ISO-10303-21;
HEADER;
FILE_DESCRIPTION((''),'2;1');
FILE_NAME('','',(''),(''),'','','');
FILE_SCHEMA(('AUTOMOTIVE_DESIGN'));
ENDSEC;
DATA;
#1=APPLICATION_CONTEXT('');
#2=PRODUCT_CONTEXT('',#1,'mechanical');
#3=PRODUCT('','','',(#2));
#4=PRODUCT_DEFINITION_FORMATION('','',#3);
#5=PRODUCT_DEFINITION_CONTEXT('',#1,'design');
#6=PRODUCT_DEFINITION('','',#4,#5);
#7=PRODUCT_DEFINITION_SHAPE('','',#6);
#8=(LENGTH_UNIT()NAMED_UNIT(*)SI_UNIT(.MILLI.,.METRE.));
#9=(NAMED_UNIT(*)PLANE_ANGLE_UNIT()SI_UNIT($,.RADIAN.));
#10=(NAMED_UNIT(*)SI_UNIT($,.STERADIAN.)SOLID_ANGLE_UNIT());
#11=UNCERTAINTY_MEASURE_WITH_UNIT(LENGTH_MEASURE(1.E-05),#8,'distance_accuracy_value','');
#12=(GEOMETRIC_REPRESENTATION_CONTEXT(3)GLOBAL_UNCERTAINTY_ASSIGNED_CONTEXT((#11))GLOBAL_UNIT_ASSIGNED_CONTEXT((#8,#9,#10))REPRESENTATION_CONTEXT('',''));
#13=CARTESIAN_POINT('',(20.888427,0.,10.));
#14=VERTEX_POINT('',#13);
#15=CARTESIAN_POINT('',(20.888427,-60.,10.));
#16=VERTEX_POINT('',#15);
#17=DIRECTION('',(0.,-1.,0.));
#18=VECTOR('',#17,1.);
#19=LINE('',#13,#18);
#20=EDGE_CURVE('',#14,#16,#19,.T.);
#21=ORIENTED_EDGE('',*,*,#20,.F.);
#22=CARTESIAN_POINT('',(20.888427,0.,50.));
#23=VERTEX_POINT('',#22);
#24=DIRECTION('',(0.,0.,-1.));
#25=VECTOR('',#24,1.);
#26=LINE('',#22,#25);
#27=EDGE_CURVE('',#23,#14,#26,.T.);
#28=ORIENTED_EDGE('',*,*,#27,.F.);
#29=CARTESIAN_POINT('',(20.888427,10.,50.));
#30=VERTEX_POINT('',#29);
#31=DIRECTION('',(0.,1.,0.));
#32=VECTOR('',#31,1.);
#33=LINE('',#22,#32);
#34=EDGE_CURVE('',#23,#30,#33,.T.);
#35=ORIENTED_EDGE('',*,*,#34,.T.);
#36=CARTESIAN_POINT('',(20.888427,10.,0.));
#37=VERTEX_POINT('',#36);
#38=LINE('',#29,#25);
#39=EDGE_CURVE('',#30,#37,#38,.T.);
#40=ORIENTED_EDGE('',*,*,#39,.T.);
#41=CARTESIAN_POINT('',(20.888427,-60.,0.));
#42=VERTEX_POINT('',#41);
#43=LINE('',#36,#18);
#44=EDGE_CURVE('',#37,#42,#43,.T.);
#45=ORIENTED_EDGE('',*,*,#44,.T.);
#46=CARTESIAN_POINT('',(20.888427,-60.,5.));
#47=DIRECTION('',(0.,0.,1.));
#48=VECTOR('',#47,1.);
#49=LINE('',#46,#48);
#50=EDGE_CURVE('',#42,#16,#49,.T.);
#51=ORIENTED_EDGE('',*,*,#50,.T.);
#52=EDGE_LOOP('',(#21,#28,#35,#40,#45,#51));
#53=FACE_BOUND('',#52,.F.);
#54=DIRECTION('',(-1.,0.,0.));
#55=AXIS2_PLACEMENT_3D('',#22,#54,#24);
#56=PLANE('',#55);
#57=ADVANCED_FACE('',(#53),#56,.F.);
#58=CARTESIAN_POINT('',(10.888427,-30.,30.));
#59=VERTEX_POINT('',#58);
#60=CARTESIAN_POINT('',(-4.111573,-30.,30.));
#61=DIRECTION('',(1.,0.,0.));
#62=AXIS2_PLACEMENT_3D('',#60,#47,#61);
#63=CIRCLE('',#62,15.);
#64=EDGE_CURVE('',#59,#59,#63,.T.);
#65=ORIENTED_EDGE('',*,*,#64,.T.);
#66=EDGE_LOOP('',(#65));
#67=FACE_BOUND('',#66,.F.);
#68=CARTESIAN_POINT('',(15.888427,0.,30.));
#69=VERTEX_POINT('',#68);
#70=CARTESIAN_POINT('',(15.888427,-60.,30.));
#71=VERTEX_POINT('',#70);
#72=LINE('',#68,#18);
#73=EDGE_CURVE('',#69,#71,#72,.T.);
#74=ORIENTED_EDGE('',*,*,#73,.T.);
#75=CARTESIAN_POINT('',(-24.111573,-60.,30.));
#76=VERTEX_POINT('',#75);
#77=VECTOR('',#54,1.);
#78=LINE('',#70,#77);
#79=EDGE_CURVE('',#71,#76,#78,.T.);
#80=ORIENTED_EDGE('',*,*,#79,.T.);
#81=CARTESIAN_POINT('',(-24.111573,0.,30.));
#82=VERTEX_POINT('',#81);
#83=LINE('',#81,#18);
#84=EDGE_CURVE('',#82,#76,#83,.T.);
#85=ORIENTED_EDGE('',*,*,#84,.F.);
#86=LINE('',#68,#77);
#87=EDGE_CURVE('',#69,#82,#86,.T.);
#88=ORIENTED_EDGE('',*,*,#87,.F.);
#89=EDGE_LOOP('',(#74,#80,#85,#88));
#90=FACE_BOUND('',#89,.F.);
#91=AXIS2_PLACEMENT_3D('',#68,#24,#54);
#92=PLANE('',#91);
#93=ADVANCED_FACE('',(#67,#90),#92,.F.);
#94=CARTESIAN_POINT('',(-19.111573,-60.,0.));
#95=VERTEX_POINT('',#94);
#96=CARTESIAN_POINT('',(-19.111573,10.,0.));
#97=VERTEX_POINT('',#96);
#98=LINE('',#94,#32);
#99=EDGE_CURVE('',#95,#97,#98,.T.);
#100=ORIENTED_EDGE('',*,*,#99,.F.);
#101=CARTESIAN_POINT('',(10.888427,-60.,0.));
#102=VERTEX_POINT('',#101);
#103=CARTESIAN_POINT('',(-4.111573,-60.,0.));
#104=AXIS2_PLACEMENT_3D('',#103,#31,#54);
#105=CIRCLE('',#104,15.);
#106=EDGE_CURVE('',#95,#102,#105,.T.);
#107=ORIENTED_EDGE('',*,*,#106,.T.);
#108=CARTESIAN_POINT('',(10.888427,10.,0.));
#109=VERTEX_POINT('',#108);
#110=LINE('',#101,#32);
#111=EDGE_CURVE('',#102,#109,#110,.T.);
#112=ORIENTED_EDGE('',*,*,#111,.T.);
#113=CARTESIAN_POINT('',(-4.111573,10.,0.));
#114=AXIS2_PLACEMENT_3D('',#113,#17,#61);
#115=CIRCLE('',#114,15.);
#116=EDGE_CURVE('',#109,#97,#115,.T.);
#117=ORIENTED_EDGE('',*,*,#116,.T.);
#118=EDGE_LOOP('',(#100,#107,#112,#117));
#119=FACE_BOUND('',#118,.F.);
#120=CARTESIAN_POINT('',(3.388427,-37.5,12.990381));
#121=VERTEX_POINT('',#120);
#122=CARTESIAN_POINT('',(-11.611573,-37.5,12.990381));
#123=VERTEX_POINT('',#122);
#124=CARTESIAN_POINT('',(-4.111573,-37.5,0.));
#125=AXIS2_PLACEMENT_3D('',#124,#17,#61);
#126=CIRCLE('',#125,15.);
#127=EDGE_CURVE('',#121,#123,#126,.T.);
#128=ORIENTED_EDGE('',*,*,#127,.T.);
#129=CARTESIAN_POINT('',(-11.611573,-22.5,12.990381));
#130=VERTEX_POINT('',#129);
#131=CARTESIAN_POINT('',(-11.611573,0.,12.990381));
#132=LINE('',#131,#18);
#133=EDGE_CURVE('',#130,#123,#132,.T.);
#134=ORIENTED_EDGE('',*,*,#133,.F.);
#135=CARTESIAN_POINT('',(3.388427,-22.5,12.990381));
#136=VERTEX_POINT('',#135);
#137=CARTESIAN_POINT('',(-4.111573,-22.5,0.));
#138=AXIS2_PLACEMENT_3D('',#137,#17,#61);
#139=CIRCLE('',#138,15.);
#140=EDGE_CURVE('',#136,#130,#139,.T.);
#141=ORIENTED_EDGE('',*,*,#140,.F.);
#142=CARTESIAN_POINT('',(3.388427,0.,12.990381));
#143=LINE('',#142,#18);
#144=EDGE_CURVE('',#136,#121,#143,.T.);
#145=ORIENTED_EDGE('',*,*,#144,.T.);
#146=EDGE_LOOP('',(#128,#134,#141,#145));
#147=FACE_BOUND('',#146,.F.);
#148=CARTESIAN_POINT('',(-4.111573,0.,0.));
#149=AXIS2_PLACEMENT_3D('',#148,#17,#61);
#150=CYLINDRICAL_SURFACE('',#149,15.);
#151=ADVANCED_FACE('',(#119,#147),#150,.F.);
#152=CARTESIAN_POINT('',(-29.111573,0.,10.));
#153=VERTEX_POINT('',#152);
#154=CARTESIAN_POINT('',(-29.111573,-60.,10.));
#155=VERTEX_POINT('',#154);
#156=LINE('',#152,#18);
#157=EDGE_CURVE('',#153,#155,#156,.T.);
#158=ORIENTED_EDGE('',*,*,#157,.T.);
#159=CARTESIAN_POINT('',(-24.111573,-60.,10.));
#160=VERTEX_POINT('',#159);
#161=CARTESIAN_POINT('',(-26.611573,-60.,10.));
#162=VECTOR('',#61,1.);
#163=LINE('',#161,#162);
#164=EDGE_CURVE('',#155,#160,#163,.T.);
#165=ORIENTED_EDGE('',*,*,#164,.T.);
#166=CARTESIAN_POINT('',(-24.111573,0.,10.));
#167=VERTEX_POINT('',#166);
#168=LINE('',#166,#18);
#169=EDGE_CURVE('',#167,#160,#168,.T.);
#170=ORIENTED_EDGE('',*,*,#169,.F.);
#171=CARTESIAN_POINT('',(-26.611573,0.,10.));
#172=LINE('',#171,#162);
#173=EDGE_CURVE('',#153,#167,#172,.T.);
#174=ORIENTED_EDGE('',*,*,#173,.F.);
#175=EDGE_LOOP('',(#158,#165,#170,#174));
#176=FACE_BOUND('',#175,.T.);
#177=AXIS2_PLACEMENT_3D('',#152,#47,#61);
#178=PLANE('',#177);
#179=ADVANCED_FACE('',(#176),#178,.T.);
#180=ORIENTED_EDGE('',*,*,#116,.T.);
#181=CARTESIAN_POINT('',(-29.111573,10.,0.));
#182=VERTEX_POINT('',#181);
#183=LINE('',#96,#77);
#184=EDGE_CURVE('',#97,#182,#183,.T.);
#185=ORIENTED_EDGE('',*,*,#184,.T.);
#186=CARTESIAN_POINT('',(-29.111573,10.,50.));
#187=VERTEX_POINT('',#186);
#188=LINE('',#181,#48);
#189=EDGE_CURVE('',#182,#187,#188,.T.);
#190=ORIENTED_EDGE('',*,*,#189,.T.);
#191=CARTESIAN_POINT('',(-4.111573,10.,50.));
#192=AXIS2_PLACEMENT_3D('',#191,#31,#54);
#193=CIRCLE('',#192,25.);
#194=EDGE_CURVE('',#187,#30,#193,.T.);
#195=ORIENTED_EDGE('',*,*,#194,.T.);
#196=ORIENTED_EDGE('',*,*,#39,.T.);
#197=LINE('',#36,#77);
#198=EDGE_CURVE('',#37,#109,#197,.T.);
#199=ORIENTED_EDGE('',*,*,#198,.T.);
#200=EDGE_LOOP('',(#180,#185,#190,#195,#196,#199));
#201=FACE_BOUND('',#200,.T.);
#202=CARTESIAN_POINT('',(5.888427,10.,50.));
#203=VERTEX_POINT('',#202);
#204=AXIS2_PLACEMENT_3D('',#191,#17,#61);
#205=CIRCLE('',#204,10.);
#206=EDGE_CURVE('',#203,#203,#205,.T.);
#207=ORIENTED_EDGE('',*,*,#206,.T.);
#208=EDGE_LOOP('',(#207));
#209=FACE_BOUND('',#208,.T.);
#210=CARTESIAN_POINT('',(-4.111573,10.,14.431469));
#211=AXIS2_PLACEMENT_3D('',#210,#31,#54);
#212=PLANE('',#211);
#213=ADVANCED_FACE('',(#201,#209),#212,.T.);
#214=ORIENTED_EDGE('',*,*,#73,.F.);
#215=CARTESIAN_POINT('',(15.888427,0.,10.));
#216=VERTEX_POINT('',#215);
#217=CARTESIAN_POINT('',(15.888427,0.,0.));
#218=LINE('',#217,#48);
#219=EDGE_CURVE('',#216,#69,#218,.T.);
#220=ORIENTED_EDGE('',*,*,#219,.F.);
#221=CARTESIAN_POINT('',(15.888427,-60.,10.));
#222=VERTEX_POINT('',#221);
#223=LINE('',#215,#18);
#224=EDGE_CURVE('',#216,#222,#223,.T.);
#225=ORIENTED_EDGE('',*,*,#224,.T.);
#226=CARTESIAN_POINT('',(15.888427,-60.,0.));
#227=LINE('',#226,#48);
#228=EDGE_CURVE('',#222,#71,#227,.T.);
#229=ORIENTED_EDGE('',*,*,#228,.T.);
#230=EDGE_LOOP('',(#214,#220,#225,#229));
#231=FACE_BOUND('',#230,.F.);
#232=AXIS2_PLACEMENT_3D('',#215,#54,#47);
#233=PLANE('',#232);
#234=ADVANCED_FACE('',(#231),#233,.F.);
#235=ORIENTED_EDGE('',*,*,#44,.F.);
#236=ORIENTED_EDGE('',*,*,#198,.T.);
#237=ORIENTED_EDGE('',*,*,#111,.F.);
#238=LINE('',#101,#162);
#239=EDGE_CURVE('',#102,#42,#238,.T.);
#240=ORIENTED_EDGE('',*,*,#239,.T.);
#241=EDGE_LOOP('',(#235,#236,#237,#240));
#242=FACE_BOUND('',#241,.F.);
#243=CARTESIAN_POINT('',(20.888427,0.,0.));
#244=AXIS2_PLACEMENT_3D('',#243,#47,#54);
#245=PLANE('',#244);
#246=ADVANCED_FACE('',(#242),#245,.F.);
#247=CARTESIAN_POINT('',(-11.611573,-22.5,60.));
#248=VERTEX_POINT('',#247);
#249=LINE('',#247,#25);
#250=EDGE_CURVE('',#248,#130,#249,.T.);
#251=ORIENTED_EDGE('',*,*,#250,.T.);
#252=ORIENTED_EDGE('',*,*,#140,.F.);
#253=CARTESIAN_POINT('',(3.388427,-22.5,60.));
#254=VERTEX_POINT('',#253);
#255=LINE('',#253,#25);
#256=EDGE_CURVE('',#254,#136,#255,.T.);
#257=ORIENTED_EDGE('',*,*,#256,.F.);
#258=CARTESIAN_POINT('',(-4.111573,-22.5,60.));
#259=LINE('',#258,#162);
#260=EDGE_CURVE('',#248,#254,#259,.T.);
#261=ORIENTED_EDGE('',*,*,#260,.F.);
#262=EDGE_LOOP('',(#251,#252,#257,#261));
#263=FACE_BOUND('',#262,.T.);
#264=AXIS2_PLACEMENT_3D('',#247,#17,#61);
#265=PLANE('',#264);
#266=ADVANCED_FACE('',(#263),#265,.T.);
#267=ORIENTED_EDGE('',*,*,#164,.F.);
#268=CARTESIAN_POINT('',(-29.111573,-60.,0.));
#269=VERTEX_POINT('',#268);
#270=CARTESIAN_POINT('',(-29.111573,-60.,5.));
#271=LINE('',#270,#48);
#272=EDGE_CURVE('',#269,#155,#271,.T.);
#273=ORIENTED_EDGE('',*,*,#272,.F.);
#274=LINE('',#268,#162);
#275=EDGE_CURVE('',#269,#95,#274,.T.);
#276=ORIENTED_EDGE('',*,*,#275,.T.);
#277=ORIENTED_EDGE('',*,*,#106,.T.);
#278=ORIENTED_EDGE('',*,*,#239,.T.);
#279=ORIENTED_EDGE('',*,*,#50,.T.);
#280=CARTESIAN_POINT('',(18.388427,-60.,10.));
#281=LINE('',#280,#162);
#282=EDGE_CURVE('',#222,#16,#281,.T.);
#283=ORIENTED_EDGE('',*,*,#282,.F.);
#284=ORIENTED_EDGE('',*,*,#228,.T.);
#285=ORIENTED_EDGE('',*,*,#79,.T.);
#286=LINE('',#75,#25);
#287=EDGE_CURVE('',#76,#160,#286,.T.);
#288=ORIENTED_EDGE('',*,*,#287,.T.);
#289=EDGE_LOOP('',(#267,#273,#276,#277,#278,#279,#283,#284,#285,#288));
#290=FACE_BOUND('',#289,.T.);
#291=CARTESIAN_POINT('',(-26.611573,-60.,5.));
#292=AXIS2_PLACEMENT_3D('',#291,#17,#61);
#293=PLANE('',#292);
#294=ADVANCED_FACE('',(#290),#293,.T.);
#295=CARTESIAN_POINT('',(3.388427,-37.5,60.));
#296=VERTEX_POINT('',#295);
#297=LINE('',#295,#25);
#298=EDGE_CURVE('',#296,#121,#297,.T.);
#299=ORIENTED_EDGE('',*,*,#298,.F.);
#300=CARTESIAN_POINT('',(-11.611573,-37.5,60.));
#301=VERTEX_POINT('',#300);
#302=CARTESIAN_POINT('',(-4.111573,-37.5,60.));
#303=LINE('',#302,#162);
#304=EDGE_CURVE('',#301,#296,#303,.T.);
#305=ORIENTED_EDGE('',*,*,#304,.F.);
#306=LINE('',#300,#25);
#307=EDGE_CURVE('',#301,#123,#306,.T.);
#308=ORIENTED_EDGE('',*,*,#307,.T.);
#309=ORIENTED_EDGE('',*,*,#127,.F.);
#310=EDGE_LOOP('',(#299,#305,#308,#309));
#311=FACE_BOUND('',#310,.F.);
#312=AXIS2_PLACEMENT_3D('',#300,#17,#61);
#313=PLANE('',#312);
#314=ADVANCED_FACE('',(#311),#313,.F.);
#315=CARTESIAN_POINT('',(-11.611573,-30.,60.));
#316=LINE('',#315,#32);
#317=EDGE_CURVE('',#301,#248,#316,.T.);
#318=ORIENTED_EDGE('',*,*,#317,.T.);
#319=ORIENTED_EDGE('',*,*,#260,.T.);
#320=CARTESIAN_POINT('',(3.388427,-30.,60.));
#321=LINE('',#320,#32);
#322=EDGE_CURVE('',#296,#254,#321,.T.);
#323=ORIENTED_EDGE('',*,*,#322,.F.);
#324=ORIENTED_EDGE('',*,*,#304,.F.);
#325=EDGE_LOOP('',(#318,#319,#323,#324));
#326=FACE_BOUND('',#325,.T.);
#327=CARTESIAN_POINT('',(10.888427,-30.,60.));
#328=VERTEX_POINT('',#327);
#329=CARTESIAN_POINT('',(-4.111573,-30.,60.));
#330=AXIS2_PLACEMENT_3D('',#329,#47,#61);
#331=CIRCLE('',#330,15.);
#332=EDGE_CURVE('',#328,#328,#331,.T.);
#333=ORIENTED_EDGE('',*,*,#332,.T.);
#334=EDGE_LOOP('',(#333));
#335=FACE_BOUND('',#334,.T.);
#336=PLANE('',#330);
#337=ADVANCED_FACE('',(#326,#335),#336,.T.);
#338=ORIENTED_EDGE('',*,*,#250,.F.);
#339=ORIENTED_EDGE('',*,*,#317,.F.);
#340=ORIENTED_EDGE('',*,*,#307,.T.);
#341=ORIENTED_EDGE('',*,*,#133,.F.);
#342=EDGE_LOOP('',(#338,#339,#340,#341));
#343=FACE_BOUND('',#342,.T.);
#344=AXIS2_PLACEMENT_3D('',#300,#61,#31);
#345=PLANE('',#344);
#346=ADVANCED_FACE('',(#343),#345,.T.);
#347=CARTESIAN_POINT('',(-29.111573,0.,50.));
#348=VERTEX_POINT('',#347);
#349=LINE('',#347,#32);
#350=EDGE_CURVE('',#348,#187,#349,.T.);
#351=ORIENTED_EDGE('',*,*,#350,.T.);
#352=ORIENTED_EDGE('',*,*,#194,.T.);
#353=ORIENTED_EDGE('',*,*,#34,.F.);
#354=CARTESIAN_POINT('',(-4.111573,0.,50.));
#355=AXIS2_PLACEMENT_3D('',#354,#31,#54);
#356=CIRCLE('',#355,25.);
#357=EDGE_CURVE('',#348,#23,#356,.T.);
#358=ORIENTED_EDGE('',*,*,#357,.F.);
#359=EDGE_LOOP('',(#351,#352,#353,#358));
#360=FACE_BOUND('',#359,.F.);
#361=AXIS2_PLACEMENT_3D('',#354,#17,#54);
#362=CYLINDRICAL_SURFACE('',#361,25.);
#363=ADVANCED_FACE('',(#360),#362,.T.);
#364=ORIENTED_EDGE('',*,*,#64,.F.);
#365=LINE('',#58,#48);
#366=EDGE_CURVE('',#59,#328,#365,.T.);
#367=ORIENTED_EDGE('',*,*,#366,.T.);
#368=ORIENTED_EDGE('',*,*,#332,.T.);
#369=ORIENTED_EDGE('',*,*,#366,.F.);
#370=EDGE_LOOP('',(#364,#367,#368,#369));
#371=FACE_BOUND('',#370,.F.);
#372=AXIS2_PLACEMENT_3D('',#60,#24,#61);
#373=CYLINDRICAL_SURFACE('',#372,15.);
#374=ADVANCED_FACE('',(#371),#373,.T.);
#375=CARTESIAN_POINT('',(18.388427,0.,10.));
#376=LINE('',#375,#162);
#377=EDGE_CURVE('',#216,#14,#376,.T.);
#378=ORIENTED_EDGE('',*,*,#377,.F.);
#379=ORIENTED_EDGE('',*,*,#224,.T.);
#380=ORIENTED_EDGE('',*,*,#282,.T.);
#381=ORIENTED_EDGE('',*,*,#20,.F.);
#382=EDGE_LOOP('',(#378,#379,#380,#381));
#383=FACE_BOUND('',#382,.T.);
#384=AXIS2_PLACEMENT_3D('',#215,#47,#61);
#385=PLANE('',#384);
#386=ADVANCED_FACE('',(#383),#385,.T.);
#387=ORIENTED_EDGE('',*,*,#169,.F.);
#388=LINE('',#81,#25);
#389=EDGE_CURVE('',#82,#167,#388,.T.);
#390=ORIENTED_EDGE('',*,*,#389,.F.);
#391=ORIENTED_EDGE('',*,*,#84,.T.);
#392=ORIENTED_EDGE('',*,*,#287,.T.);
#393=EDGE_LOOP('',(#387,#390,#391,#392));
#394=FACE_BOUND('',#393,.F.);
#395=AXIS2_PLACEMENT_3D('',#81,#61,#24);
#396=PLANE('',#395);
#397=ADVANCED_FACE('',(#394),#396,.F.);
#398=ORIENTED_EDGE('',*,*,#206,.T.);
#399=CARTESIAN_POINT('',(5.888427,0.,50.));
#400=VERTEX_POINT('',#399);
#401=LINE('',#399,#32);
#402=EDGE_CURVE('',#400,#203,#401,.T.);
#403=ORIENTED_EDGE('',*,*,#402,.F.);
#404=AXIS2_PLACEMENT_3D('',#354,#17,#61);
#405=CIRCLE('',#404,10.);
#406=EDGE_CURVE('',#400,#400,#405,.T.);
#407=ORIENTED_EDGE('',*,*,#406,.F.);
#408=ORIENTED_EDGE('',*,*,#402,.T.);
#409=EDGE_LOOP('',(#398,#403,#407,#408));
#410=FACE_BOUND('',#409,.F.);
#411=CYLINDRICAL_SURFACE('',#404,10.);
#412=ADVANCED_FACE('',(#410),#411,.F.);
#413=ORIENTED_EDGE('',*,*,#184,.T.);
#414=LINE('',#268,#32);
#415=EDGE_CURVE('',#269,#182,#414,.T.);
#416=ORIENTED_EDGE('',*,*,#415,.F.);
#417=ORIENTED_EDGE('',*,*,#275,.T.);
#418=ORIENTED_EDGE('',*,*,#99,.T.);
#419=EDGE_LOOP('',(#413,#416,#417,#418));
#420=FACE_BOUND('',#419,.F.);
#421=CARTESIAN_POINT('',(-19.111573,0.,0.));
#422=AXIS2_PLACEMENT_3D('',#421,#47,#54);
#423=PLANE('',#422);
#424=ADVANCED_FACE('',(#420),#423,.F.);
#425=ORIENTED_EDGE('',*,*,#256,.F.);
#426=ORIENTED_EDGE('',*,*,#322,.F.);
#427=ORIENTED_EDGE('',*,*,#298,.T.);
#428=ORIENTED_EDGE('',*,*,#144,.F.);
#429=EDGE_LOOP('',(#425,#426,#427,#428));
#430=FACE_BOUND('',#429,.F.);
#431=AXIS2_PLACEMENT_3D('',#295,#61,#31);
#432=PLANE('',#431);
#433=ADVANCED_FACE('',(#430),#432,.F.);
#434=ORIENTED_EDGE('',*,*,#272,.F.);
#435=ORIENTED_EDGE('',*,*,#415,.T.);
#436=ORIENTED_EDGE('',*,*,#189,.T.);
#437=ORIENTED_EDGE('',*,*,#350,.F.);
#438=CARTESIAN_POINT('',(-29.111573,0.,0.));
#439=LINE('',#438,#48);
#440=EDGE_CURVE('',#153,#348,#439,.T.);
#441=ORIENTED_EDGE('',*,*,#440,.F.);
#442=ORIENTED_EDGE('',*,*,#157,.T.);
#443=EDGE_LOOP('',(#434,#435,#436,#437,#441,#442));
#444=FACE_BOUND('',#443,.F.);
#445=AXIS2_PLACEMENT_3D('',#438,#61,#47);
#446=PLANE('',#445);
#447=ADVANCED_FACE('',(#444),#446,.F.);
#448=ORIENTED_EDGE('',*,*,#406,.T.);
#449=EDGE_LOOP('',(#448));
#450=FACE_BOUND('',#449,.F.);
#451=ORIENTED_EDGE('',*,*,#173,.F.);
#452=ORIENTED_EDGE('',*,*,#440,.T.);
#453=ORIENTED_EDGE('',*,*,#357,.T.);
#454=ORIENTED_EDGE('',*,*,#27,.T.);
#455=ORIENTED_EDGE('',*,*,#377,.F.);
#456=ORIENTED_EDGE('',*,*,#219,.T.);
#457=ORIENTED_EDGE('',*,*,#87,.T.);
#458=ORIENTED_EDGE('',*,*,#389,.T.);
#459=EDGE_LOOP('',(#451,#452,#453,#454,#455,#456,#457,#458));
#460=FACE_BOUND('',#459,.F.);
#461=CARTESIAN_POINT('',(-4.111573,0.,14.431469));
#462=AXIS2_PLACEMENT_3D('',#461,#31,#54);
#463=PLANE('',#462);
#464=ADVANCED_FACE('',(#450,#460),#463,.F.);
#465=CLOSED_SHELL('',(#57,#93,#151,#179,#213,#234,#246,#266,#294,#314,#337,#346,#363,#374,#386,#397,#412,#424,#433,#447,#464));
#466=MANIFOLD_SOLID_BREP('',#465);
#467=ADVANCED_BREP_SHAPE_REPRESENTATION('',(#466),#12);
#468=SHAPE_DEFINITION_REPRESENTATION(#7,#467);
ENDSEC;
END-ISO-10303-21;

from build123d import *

# Parameters (mm, degrees)
F0_W     = 5
F0_H     = 10
F1_DEPTH = 60
F3_DEPTH = 10
F4_R     = 15
F5_DEPTH = 30
F6_W     = 15
F6_H     = 15
F7_DEPTH = 70


with BuildPart() as f1:
    # F0 (on Front) → F1 (new body)
    with BuildSketch(Plane.XZ):
        with Locations((-26.611573, 5)):
            Rectangle(F0_W, F0_H)
        with Locations((18.388427, 5)):
            Rectangle(F0_W, F0_H)
        with BuildLine():
            Line((10.888427, 0), (15.888427, 0))
            Line((15.888427, 0), (15.888427, 10))
            Line((15.888427, 10), (15.888427, 30))
            Line((15.888427, 30), (-24.111573, 30))
            Line((-24.111573, 30), (-24.111573, 10))
            Line((-24.111573, 10), (-24.111573, 0))
            Line((-24.111573, 0), (-19.111573, 0))
            ThreePointArc((-19.111573, 0), (-4.111573, 15), (10.888427, 0))
        make_face()
    extrude(amount=F1_DEPTH)

    # F2 (on face) → F3 (join)
    with BuildSketch(Plane(origin=(0, 0, 0), x_dir=(-1, 0, 0), z_dir=(0, 1, 0))):
        with BuildLine():
            Line((-20.888427, 10), (-20.888427, 0))
            Line((-20.888427, 0), (-10.888427, 0))
            ThreePointArc((-10.888427, 0), (4.111573, 15), (19.111573, 0))
            Line((19.111573, 0), (29.111573, 0))
            Line((29.111573, 0), (29.111573, 10))
            Line((29.111573, 10), (24.111573, 10))
            Line((24.111573, 10), (24.111573, 30))
            Line((24.111573, 30), (19.111573, 30))
            ThreePointArc((19.111573, 30), (4.111573, 25), (-10.888427, 30))
            Line((-10.888427, 30), (-15.888427, 30))
            Line((-15.888427, 30), (-15.888427, 10))
            Line((-15.888427, 10), (-20.888427, 10))
        make_face()
        with BuildLine():
            Line((-20.888427, 50), (-20.888427, 10))
            Line((-20.888427, 10), (-15.888427, 10))
            Line((-15.888427, 10), (-15.888427, 30))
            Line((-15.888427, 30), (-10.888427, 30))
            ThreePointArc((-10.888427, 30), (-18.249106, 38.81966), (-20.888427, 50))
        make_face()
        with BuildLine():
            Line((29.111573, 10), (29.111573, 50))
            ThreePointArc((29.111573, 50), (26.472253, 38.81966), (19.111573, 30))
            Line((19.111573, 30), (24.111573, 30))
            Line((24.111573, 30), (24.111573, 10))
            Line((24.111573, 10), (29.111573, 10))
        make_face()
        with BuildLine():
            Line((19.111573, 30), (-10.888427, 30))
            ThreePointArc((-10.888427, 30), (4.111573, 25), (19.111573, 30))
        make_face()
        with BuildLine():
            ThreePointArc((29.111573, 50), (4.111573, 75), (-20.888427, 50))
            Line((-20.888427, 50), (-5.888427, 50))
            ThreePointArc((-5.888427, 50), (4.111573, 60), (14.111573, 50))
            Line((14.111573, 50), (29.111573, 50))
        make_face()
        with BuildLine():
            Line((-5.888427, 50), (-20.888427, 50))
            ThreePointArc((-20.888427, 50), (-18.249106, 38.81966), (-10.888427, 30))
            Line((-10.888427, 30), (19.111573, 30))
            ThreePointArc((19.111573, 30), (26.472253, 38.81966), (29.111573, 50))
            Line((29.111573, 50), (14.111573, 50))
            ThreePointArc((14.111573, 50), (4.111573, 40), (-5.888427, 50))
        make_face()
    extrude(amount=F3_DEPTH)

    # F4 (on face) → F5 (join)
    with BuildSketch(Plane.XY.offset(30)):
        with Locations((-4.111573, -30)):
            Circle(F4_R)
    extrude(amount=F5_DEPTH)

    # F6 (on face) → F7 (cut)
    with BuildSketch(Plane.XY.offset(60)):
        with Locations((-4.111573, -30)):
            Rectangle(F6_W, F6_H)
    extrude(amount=-F7_DEPTH, mode=Mode.SUBTRACT)


solid = f1.part
